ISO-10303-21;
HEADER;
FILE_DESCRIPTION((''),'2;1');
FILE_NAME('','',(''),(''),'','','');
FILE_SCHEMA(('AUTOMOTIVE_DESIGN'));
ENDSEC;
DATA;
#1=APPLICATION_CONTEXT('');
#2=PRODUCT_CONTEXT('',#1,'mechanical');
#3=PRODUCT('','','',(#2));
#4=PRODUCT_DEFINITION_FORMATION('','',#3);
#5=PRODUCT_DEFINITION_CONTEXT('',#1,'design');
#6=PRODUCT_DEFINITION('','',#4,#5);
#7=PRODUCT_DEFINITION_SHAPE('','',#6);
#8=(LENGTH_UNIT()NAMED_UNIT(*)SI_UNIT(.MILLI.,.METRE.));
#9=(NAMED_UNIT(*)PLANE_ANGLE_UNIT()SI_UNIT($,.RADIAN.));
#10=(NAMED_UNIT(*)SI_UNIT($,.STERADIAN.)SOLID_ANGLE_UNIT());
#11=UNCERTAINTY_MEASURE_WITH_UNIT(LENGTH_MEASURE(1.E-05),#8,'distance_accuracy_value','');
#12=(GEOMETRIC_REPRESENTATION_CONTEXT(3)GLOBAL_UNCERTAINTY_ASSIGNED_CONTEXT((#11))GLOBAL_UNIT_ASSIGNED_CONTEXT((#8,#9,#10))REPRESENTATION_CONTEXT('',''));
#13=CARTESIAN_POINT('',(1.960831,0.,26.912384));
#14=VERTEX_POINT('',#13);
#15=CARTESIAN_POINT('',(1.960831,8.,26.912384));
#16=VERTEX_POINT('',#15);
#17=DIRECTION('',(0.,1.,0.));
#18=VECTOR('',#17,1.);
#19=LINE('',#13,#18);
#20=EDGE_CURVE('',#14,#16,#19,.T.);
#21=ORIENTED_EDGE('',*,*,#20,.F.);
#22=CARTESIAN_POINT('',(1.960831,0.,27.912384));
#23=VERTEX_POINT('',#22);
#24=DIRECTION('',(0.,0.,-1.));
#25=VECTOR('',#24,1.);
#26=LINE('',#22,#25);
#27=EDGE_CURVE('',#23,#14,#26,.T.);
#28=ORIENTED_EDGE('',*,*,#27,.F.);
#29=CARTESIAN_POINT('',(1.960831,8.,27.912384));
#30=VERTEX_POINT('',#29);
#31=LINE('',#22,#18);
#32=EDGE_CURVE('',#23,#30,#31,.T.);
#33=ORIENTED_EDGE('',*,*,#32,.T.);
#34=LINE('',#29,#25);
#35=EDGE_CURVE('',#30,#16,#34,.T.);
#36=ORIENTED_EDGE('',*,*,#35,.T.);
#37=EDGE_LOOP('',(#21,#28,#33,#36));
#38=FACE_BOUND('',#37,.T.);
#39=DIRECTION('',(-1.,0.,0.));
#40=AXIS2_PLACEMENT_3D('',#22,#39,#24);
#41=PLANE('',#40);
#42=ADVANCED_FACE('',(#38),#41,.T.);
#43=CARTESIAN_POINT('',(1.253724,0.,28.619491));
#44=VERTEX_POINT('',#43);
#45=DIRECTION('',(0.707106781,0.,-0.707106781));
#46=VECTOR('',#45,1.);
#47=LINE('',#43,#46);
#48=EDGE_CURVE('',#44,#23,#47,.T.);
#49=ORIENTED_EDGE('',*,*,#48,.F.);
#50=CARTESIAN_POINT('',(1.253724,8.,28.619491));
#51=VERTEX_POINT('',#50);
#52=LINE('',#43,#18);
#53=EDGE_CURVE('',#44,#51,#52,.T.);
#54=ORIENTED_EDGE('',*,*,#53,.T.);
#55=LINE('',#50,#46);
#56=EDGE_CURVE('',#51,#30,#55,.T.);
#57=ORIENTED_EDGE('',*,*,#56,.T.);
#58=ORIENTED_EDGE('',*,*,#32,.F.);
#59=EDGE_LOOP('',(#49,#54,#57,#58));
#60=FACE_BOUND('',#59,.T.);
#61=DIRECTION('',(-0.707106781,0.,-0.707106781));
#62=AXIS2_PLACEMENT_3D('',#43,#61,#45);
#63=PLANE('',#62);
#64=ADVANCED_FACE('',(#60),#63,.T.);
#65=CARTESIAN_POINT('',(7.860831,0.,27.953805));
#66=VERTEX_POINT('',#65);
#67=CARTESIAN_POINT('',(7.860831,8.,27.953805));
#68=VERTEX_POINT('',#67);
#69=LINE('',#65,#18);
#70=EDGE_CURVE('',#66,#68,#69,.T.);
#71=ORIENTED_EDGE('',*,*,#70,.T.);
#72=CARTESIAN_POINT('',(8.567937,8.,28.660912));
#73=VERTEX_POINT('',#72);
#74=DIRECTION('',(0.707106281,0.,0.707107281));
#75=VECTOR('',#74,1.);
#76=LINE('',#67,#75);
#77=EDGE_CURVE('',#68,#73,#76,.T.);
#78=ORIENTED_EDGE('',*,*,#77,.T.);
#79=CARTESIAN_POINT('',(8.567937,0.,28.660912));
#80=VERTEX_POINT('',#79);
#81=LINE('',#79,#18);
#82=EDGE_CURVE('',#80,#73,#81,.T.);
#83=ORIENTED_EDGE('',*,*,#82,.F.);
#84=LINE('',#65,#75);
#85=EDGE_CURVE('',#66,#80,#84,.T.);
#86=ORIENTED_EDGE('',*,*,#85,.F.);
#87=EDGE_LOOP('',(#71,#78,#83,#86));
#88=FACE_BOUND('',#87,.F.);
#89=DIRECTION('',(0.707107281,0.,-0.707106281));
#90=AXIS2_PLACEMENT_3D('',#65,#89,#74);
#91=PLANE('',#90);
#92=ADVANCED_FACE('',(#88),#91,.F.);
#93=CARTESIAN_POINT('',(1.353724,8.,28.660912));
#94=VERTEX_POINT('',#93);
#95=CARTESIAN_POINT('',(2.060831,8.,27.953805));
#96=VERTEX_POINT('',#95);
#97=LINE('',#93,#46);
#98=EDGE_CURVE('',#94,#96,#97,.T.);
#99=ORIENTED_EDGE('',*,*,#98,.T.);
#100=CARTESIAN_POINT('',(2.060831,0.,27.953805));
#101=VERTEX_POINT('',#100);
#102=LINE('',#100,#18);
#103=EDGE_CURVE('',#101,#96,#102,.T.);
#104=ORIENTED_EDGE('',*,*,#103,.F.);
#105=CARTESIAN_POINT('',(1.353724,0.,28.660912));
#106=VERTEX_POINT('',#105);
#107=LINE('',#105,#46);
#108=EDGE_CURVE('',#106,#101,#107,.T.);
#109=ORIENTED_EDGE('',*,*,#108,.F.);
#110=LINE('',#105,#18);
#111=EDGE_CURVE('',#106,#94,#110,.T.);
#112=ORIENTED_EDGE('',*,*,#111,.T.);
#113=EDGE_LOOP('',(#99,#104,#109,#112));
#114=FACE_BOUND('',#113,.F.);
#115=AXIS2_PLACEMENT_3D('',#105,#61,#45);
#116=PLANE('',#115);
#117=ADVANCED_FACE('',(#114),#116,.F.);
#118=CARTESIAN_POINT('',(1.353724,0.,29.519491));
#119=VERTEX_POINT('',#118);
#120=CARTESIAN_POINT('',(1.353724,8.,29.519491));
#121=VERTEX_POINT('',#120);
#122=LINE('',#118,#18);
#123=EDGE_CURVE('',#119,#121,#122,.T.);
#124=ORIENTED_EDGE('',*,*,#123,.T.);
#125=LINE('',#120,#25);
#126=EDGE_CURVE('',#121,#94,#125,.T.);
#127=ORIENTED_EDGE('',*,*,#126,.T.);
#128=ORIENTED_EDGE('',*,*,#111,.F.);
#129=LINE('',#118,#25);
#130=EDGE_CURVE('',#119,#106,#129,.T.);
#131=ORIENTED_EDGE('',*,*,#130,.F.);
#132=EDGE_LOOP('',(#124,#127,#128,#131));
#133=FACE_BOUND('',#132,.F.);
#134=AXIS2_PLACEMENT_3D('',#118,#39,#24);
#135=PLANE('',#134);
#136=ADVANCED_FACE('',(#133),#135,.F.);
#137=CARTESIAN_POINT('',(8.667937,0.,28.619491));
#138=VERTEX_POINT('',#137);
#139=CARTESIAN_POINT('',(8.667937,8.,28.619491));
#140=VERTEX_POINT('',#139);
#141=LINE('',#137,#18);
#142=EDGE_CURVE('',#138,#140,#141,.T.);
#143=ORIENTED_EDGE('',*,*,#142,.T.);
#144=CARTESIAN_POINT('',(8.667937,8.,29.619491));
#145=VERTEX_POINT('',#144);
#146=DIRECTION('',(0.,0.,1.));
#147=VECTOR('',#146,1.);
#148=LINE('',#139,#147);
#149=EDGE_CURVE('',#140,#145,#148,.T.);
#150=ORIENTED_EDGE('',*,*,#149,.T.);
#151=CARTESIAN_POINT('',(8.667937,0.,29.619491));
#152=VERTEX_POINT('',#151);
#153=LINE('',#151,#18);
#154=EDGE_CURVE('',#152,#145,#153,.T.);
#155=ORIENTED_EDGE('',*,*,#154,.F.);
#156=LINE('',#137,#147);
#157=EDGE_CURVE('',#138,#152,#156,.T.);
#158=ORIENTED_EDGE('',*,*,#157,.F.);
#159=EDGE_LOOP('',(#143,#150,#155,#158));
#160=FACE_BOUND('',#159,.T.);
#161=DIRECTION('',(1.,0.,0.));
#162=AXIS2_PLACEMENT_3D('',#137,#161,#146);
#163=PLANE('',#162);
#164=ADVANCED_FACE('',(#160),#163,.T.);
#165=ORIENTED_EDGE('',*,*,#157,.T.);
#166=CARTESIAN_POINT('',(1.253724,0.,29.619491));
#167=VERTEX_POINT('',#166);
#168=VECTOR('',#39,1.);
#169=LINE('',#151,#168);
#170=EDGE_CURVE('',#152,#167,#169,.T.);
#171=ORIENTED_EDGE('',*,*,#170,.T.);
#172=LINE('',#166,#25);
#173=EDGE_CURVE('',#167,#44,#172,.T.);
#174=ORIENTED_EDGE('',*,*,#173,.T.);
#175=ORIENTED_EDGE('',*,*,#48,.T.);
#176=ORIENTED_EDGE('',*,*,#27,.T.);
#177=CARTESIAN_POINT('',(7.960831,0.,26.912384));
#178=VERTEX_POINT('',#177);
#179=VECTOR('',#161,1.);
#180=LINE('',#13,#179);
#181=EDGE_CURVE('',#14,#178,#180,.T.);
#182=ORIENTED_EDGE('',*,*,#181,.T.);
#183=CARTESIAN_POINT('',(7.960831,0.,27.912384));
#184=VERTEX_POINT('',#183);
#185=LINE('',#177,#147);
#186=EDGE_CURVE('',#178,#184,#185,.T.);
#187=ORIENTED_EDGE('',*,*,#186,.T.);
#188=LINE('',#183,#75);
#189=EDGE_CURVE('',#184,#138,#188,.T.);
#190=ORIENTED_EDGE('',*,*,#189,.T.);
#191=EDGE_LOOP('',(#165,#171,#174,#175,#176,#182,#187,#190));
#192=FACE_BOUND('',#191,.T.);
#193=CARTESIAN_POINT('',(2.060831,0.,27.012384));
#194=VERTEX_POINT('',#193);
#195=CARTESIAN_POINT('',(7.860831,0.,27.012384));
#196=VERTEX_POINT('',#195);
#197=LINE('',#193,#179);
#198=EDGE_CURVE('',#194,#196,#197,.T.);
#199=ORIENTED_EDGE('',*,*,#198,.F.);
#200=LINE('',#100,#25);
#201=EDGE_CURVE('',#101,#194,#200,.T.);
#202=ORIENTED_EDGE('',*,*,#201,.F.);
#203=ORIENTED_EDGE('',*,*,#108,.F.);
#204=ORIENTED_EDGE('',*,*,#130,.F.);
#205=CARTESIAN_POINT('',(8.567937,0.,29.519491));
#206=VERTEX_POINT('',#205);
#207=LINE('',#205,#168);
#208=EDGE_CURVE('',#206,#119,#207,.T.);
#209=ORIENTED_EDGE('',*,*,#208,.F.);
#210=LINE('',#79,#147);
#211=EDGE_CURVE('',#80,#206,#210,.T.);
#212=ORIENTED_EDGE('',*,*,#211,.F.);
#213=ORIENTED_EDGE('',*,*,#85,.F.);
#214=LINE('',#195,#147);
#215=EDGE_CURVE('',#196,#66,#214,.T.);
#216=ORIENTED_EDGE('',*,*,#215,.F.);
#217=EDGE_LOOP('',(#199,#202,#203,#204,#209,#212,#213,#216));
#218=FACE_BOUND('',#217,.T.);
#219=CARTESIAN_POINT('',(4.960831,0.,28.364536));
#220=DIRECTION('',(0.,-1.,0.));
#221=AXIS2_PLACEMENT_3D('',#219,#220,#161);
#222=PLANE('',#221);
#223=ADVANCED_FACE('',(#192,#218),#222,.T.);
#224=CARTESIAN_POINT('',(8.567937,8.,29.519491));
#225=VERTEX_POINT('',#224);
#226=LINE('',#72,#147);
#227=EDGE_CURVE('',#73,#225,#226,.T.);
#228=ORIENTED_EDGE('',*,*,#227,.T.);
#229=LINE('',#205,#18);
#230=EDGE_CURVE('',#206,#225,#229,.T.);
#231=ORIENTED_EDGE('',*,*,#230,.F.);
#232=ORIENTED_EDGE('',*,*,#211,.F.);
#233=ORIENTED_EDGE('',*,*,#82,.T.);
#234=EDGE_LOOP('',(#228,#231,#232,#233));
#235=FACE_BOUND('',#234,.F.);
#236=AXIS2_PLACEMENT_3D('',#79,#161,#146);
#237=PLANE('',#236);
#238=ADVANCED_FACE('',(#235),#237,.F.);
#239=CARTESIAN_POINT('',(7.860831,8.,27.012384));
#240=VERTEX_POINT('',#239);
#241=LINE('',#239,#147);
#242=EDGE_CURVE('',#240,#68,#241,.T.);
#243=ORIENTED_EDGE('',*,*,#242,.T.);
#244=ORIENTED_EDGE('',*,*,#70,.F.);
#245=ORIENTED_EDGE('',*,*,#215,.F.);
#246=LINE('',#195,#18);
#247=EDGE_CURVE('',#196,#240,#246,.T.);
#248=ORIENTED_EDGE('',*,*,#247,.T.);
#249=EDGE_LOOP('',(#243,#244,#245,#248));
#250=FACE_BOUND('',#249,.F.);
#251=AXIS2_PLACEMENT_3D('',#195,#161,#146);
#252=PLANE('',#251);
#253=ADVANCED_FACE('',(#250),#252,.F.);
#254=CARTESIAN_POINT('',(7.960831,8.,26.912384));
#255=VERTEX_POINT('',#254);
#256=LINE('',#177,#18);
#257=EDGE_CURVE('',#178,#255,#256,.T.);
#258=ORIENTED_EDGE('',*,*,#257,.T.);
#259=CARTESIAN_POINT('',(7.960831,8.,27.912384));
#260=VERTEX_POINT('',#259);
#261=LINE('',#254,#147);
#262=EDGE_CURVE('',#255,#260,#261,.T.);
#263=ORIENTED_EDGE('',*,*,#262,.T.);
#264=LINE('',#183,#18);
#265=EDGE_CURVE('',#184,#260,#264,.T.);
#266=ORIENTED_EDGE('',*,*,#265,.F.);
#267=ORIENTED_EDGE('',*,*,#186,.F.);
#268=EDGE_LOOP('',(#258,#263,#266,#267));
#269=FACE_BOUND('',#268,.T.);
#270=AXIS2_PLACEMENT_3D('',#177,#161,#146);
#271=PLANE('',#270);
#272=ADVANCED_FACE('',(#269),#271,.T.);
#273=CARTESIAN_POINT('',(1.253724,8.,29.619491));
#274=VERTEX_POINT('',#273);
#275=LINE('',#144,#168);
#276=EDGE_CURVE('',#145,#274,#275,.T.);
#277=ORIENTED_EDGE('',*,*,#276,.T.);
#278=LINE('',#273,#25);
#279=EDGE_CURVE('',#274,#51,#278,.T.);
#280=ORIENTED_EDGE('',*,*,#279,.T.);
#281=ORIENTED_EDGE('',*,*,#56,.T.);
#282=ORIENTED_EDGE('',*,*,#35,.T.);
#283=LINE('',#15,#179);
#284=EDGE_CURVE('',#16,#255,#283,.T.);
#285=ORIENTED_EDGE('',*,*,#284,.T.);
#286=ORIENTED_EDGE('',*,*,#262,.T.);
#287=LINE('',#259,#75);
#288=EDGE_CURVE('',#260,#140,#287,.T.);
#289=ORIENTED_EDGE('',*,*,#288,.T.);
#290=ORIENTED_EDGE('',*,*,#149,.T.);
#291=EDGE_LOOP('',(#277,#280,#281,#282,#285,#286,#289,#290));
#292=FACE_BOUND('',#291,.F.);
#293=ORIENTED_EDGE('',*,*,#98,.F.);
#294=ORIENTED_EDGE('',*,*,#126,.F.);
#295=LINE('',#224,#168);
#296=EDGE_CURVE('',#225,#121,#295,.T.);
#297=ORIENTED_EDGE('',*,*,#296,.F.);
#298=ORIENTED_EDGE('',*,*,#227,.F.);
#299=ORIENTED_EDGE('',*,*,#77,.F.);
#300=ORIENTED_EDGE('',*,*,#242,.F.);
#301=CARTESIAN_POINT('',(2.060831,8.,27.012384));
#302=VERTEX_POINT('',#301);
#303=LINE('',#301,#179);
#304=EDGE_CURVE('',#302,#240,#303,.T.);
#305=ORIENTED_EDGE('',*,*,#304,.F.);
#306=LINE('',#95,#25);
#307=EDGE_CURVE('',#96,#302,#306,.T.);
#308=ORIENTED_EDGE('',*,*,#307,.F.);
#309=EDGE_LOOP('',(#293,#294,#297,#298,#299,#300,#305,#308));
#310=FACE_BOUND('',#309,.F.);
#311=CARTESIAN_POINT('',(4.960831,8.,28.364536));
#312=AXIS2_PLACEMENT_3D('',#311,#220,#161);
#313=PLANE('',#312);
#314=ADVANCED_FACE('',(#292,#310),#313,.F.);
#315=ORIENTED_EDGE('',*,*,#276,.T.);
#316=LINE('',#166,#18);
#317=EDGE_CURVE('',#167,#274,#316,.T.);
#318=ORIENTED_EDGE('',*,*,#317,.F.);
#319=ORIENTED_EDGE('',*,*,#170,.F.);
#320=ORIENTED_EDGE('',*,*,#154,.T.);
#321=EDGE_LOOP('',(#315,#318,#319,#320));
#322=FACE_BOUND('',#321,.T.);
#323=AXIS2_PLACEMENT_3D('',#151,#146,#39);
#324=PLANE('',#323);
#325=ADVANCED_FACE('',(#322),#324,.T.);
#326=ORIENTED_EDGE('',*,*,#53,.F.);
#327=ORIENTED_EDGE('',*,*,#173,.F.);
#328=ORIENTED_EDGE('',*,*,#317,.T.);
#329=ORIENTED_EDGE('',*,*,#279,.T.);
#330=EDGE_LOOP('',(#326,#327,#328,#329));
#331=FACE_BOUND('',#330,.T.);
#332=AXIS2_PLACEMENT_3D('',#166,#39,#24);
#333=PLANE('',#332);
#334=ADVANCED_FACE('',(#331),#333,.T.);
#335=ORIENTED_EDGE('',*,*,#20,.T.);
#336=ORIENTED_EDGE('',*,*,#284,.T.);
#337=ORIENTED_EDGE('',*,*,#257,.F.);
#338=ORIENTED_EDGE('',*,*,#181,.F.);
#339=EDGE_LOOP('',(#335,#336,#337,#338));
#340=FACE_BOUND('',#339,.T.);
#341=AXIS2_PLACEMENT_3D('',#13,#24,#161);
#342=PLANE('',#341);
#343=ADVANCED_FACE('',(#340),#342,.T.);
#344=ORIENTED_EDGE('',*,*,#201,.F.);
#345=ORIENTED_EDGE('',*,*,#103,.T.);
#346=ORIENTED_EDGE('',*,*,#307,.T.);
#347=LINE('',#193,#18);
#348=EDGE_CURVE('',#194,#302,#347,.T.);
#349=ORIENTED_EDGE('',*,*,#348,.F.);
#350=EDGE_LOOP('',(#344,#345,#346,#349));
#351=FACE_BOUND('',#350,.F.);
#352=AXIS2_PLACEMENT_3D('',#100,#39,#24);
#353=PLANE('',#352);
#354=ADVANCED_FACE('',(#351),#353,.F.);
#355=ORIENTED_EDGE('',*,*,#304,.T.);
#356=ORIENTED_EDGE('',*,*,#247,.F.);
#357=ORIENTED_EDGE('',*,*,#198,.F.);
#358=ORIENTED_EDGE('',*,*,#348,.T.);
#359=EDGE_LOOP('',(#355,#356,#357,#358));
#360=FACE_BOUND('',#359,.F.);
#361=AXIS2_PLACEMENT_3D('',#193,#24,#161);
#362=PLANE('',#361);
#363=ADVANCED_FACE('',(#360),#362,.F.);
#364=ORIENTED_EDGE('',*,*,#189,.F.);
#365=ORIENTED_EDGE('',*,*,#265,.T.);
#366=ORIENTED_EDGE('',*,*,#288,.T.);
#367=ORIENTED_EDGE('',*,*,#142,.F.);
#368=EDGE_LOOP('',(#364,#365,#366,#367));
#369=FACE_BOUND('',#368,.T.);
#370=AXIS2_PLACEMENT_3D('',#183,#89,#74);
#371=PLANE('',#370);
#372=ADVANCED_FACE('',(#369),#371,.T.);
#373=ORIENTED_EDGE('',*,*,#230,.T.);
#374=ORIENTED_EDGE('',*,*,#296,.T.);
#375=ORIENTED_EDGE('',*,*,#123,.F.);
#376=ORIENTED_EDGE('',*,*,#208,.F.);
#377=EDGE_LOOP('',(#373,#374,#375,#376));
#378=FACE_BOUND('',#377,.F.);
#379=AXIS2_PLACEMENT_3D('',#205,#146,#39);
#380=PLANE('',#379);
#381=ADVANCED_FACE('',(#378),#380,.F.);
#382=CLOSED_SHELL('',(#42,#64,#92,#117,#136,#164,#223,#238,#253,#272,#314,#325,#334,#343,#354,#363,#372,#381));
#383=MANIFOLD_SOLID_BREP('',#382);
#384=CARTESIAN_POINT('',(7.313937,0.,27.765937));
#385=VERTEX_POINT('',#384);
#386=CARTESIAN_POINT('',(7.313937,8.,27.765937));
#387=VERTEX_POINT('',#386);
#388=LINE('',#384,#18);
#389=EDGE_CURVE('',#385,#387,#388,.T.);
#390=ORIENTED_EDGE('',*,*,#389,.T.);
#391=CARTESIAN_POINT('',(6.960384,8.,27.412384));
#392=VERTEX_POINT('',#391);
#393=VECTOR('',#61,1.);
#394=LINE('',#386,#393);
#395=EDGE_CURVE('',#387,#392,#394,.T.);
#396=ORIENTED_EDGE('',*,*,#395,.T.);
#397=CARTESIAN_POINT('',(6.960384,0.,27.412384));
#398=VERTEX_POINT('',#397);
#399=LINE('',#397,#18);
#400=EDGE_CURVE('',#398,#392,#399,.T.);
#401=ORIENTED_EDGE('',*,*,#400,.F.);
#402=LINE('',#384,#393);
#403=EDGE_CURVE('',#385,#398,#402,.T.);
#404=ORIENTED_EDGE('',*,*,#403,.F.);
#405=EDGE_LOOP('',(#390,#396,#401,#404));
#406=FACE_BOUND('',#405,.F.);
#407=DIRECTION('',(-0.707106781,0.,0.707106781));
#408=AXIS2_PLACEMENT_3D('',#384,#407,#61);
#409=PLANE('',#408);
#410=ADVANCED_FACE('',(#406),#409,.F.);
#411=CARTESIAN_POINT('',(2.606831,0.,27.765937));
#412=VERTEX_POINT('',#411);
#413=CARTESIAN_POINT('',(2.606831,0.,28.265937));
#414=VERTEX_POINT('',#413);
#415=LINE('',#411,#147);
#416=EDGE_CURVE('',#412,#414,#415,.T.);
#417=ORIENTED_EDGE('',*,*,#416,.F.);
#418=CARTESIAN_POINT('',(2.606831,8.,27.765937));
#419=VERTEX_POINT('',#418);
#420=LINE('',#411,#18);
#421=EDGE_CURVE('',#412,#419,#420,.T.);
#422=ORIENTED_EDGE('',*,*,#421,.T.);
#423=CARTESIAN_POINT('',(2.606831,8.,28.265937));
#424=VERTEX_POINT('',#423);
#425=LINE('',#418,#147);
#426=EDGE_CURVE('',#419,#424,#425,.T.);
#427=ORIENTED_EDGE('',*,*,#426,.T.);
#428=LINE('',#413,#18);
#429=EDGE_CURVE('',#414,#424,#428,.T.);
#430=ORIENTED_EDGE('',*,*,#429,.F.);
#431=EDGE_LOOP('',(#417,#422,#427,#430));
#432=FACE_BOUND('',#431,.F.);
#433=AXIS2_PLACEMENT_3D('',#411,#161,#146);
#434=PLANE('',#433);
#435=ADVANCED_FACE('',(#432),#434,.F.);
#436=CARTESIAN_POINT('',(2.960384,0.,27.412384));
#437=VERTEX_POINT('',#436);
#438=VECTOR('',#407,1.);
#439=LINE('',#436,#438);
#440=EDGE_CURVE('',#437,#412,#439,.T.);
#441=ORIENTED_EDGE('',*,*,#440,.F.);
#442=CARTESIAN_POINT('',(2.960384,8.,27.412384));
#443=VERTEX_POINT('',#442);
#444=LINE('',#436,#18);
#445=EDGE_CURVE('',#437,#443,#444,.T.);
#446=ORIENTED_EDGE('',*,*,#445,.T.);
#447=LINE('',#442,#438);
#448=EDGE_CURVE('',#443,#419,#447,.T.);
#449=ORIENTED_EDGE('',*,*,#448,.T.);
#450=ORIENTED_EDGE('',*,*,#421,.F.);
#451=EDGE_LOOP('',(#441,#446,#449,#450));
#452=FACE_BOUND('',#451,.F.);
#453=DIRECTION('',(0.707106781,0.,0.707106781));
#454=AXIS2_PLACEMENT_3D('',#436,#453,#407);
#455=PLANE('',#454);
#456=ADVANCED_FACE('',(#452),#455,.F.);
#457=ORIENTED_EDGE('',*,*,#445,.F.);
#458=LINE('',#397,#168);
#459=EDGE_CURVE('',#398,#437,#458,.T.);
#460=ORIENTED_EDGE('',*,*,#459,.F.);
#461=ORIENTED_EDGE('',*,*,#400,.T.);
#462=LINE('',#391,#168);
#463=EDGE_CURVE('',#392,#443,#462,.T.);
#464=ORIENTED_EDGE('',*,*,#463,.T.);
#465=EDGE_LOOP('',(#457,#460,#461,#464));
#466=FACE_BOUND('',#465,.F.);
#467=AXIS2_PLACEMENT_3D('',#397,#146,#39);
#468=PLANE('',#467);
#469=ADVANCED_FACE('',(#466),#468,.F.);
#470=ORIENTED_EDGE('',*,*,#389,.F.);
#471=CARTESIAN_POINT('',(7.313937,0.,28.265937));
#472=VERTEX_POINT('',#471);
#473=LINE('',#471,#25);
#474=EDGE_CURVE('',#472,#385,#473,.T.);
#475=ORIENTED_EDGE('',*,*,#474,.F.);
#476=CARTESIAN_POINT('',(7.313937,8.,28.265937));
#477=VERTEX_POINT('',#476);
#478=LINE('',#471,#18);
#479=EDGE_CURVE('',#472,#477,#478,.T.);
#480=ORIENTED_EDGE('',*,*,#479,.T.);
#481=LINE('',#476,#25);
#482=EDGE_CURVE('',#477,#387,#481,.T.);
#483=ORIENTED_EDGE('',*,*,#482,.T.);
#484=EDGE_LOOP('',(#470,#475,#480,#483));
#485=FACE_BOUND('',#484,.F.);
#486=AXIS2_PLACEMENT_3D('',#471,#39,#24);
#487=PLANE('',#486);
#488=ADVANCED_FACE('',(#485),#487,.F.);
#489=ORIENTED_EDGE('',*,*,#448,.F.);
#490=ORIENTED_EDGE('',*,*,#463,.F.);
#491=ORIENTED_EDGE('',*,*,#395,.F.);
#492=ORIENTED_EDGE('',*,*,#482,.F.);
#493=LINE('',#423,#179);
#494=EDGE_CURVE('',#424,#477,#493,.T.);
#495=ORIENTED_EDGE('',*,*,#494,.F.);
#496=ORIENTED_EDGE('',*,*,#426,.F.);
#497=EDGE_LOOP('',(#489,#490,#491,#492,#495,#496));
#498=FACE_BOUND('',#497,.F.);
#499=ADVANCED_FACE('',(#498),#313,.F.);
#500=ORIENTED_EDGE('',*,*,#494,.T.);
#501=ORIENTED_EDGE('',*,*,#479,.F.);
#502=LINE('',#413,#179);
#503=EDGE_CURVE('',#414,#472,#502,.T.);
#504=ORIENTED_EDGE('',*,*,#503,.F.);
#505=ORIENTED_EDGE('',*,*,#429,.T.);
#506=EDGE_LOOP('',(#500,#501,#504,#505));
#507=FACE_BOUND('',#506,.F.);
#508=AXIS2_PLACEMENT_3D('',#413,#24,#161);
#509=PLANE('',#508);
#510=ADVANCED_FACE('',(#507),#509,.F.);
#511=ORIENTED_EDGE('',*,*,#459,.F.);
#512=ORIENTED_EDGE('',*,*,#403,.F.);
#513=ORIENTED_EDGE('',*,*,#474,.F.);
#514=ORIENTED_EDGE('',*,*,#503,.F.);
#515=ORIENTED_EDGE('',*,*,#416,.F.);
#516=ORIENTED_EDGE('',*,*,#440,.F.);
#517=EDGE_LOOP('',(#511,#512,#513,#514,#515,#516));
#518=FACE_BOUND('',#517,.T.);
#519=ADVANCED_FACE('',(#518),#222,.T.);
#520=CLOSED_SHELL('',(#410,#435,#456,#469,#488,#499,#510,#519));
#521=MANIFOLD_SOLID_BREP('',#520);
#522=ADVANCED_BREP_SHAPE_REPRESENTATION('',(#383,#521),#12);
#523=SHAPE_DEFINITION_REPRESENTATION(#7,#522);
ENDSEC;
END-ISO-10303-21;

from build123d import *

# Parameters (mm, degrees)
F1_DEPTH = 8
F3_DEPTH = 8


with BuildPart() as f1:
    # F0 (on Front) → F1 (new body)
    with BuildSketch(Plane.XZ):
        Polygon((1.960831, 27.912384), (1.960831, 26.912384), (7.960831, 26.912384), (7.960831, 27.912384), (8.667937, 28.619491), (8.667937, 29.619491), (1.253724, 29.619491), (1.253724, 28.619491), align=None)
    extrude(amount=-F1_DEPTH)

    # F2 (on face) → F3 (cut)
    with BuildSketch(Plane.XZ):
        Polygon((1.353724, 28.660912), (2.060831, 27.953805), (2.060831, 27.012384), (7.860831, 27.012384), (7.860831, 27.953805), (8.567937, 28.660912), (8.567937, 29.519491), (1.353724, 29.519491), align=None)
        Polygon((6.960384, 27.412384), (2.960384, 27.412384), (2.606831, 27.765937), (2.606831, 28.265937), (7.313937, 28.265937), (7.313937, 27.765937), align=None, mode=Mode.SUBTRACT)
    extrude(amount=-F3_DEPTH, mode=Mode.SUBTRACT)


solid = f1.part
